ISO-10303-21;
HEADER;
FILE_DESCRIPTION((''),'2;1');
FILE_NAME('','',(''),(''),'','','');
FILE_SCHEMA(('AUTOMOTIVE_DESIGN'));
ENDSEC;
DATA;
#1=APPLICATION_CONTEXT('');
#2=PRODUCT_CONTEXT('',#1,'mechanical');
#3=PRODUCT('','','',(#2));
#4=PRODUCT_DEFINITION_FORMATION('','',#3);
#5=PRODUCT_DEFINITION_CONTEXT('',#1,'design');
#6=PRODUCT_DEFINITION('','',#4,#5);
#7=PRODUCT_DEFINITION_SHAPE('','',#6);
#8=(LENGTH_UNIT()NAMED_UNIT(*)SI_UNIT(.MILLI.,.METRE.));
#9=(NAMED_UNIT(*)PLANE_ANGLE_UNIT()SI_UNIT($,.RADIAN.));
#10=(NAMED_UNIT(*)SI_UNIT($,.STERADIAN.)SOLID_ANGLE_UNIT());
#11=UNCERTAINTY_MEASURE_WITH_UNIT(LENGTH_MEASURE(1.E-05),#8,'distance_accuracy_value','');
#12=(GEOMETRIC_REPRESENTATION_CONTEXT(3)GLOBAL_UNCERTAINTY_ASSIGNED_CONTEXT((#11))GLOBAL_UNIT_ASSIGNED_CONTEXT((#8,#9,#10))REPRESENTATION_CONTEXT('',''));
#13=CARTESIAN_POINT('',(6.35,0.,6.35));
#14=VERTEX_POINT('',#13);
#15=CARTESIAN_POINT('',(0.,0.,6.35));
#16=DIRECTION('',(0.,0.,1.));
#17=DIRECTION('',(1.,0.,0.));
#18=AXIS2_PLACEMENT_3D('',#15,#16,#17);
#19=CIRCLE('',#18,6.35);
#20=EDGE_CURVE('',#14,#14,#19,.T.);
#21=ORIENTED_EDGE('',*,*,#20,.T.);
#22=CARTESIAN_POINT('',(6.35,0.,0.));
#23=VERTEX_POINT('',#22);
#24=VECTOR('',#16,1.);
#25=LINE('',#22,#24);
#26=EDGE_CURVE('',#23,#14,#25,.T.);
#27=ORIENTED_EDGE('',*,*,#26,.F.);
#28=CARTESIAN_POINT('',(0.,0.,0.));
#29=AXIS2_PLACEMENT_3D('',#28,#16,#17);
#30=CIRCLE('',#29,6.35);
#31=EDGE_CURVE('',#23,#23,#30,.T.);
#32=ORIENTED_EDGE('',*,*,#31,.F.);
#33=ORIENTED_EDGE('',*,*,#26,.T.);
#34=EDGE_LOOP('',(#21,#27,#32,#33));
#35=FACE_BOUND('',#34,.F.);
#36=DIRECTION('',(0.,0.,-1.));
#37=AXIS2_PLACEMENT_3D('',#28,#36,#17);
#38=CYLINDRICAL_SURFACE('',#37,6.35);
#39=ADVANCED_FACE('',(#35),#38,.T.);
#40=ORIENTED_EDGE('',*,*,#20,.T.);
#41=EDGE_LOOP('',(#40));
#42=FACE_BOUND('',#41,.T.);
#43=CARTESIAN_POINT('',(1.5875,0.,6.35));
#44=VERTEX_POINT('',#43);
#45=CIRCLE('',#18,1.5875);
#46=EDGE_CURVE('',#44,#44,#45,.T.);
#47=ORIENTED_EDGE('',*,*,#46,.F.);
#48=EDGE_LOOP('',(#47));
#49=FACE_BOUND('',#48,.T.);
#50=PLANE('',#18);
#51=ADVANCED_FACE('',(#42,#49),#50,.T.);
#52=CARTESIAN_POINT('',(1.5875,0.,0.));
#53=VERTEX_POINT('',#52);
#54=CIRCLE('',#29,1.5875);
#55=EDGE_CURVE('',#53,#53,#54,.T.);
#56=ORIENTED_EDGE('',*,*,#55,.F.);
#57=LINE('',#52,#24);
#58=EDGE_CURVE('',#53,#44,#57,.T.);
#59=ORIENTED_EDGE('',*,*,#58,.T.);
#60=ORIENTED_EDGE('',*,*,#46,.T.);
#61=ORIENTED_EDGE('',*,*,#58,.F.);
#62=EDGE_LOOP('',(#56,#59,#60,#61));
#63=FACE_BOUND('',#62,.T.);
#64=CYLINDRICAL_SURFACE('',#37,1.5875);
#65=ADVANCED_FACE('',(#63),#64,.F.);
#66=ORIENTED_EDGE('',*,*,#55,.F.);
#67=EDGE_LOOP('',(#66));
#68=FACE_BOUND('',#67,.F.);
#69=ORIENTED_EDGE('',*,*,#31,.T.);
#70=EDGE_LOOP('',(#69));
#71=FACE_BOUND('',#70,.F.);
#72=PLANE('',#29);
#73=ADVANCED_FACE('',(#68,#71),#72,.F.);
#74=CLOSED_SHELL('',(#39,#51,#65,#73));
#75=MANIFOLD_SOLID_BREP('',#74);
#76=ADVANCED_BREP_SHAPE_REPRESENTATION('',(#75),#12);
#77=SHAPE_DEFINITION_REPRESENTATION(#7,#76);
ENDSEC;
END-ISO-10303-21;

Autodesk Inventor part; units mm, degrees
ref_plane "YZ Plane" through (0, 0, 0) normal (1, 0, 0) x (0, 1, 0)
ref_plane "XZ Plane" through (0, 0, 0) normal (0, 1, 0) x (-1, 0, 0)
ref_plane "XY Plane" through (0, 0, 0) normal (0, 0, 1) x (1, 0, 0)
sketch "Sketch1" plane through (0, 0, 0) normal (0, 0, 1) x (1, 0, 0)
  circle A0 centre (0, 0) radius 6.35
  circle A1 centre (0, 0) radius 1.5875
  dimension "d1" = 12.7
  dimension "d2" = 3.175
extrude "Extrusion1" add sketch "Sketch1" along normal blind 6.35
properties part number "magnet_125"
